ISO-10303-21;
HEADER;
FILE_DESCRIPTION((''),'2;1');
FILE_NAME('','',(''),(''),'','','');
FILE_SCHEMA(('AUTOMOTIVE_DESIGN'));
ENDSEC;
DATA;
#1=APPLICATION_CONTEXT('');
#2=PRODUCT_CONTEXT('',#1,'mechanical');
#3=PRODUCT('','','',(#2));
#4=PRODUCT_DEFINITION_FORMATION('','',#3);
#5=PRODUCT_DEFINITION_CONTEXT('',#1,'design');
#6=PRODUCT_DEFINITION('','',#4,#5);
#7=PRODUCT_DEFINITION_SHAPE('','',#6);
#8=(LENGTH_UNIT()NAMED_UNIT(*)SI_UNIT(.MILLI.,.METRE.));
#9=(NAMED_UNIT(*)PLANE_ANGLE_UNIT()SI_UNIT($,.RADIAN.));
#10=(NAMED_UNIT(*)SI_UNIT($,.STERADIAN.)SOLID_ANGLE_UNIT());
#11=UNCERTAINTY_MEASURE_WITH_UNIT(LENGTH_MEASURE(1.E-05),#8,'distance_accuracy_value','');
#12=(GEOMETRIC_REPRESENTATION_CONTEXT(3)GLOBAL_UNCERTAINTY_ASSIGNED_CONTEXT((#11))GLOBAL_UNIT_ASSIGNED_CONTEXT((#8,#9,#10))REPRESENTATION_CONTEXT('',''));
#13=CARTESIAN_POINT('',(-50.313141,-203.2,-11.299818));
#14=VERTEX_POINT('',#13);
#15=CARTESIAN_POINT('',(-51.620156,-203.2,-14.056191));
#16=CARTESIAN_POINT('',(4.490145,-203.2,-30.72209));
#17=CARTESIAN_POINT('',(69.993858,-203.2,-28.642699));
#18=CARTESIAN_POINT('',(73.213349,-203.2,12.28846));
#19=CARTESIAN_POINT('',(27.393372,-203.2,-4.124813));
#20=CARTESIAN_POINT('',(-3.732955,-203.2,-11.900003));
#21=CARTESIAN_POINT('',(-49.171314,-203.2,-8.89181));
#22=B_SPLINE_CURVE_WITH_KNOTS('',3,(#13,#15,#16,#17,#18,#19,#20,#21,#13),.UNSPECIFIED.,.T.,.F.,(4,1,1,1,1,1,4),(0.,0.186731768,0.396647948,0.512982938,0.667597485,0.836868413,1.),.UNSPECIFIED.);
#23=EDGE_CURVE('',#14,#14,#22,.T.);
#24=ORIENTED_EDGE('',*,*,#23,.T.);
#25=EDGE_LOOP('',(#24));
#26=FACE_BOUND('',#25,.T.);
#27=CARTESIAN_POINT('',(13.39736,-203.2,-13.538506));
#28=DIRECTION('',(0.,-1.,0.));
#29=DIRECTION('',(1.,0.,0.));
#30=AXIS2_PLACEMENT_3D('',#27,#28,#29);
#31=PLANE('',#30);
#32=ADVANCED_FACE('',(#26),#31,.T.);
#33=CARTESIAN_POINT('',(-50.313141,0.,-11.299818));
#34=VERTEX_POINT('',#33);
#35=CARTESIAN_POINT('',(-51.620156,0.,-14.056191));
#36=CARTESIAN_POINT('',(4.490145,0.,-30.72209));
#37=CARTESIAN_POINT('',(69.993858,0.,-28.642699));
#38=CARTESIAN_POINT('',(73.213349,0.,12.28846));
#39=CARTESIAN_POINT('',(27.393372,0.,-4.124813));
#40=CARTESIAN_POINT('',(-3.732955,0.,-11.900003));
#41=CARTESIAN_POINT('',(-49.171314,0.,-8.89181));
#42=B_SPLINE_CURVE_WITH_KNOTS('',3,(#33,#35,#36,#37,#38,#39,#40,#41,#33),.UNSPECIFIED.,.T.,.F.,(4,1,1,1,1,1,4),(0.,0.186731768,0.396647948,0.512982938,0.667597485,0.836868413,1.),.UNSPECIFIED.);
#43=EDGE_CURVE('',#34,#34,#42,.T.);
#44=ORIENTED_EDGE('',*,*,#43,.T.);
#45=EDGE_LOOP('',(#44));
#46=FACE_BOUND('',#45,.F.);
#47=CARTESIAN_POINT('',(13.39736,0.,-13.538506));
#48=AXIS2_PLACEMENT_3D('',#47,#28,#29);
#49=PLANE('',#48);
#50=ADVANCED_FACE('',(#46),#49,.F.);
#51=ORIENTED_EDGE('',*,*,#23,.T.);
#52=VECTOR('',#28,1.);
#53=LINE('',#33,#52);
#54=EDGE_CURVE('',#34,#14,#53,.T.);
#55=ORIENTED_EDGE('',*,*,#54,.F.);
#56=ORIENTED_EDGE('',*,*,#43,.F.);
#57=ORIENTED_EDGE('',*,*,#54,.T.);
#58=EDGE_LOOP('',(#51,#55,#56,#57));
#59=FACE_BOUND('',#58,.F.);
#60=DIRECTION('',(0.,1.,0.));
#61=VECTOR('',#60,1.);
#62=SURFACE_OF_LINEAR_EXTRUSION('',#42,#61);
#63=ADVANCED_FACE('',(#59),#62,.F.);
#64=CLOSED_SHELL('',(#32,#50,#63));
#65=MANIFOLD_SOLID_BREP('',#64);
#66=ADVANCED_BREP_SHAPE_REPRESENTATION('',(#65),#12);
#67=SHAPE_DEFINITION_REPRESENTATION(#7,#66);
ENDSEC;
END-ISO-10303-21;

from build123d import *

# Parameters (mm, degrees)
F1_DEPTH = 203.2


with BuildPart() as f1:
    # F0 (on Front) → F1 (new body)
    with BuildSketch(Plane.XZ):
        with BuildLine():
            add(Edge.make_bspline(
                [(-50.313141197, -11.2998178229), (-51.6201560613, -14.0561912817), (4.4901450286, -30.7220898206), (69.993857571, -28.642699416), (73.2133489482, 12.2884595381), (27.3933721676, -4.1248129611), (-3.7329546307, -11.900002905), (-49.1713140111, -8.8918098993), (-50.313141197, -11.2998178229)],
                knots=[0, 0, 0, 0, 0.1867317684, 0.3966479479, 0.5129829381, 0.6675974851, 0.8368684126, 1, 1, 1, 1], degree=3))
        make_face()
    extrude(amount=F1_DEPTH)


solid = f1.part
